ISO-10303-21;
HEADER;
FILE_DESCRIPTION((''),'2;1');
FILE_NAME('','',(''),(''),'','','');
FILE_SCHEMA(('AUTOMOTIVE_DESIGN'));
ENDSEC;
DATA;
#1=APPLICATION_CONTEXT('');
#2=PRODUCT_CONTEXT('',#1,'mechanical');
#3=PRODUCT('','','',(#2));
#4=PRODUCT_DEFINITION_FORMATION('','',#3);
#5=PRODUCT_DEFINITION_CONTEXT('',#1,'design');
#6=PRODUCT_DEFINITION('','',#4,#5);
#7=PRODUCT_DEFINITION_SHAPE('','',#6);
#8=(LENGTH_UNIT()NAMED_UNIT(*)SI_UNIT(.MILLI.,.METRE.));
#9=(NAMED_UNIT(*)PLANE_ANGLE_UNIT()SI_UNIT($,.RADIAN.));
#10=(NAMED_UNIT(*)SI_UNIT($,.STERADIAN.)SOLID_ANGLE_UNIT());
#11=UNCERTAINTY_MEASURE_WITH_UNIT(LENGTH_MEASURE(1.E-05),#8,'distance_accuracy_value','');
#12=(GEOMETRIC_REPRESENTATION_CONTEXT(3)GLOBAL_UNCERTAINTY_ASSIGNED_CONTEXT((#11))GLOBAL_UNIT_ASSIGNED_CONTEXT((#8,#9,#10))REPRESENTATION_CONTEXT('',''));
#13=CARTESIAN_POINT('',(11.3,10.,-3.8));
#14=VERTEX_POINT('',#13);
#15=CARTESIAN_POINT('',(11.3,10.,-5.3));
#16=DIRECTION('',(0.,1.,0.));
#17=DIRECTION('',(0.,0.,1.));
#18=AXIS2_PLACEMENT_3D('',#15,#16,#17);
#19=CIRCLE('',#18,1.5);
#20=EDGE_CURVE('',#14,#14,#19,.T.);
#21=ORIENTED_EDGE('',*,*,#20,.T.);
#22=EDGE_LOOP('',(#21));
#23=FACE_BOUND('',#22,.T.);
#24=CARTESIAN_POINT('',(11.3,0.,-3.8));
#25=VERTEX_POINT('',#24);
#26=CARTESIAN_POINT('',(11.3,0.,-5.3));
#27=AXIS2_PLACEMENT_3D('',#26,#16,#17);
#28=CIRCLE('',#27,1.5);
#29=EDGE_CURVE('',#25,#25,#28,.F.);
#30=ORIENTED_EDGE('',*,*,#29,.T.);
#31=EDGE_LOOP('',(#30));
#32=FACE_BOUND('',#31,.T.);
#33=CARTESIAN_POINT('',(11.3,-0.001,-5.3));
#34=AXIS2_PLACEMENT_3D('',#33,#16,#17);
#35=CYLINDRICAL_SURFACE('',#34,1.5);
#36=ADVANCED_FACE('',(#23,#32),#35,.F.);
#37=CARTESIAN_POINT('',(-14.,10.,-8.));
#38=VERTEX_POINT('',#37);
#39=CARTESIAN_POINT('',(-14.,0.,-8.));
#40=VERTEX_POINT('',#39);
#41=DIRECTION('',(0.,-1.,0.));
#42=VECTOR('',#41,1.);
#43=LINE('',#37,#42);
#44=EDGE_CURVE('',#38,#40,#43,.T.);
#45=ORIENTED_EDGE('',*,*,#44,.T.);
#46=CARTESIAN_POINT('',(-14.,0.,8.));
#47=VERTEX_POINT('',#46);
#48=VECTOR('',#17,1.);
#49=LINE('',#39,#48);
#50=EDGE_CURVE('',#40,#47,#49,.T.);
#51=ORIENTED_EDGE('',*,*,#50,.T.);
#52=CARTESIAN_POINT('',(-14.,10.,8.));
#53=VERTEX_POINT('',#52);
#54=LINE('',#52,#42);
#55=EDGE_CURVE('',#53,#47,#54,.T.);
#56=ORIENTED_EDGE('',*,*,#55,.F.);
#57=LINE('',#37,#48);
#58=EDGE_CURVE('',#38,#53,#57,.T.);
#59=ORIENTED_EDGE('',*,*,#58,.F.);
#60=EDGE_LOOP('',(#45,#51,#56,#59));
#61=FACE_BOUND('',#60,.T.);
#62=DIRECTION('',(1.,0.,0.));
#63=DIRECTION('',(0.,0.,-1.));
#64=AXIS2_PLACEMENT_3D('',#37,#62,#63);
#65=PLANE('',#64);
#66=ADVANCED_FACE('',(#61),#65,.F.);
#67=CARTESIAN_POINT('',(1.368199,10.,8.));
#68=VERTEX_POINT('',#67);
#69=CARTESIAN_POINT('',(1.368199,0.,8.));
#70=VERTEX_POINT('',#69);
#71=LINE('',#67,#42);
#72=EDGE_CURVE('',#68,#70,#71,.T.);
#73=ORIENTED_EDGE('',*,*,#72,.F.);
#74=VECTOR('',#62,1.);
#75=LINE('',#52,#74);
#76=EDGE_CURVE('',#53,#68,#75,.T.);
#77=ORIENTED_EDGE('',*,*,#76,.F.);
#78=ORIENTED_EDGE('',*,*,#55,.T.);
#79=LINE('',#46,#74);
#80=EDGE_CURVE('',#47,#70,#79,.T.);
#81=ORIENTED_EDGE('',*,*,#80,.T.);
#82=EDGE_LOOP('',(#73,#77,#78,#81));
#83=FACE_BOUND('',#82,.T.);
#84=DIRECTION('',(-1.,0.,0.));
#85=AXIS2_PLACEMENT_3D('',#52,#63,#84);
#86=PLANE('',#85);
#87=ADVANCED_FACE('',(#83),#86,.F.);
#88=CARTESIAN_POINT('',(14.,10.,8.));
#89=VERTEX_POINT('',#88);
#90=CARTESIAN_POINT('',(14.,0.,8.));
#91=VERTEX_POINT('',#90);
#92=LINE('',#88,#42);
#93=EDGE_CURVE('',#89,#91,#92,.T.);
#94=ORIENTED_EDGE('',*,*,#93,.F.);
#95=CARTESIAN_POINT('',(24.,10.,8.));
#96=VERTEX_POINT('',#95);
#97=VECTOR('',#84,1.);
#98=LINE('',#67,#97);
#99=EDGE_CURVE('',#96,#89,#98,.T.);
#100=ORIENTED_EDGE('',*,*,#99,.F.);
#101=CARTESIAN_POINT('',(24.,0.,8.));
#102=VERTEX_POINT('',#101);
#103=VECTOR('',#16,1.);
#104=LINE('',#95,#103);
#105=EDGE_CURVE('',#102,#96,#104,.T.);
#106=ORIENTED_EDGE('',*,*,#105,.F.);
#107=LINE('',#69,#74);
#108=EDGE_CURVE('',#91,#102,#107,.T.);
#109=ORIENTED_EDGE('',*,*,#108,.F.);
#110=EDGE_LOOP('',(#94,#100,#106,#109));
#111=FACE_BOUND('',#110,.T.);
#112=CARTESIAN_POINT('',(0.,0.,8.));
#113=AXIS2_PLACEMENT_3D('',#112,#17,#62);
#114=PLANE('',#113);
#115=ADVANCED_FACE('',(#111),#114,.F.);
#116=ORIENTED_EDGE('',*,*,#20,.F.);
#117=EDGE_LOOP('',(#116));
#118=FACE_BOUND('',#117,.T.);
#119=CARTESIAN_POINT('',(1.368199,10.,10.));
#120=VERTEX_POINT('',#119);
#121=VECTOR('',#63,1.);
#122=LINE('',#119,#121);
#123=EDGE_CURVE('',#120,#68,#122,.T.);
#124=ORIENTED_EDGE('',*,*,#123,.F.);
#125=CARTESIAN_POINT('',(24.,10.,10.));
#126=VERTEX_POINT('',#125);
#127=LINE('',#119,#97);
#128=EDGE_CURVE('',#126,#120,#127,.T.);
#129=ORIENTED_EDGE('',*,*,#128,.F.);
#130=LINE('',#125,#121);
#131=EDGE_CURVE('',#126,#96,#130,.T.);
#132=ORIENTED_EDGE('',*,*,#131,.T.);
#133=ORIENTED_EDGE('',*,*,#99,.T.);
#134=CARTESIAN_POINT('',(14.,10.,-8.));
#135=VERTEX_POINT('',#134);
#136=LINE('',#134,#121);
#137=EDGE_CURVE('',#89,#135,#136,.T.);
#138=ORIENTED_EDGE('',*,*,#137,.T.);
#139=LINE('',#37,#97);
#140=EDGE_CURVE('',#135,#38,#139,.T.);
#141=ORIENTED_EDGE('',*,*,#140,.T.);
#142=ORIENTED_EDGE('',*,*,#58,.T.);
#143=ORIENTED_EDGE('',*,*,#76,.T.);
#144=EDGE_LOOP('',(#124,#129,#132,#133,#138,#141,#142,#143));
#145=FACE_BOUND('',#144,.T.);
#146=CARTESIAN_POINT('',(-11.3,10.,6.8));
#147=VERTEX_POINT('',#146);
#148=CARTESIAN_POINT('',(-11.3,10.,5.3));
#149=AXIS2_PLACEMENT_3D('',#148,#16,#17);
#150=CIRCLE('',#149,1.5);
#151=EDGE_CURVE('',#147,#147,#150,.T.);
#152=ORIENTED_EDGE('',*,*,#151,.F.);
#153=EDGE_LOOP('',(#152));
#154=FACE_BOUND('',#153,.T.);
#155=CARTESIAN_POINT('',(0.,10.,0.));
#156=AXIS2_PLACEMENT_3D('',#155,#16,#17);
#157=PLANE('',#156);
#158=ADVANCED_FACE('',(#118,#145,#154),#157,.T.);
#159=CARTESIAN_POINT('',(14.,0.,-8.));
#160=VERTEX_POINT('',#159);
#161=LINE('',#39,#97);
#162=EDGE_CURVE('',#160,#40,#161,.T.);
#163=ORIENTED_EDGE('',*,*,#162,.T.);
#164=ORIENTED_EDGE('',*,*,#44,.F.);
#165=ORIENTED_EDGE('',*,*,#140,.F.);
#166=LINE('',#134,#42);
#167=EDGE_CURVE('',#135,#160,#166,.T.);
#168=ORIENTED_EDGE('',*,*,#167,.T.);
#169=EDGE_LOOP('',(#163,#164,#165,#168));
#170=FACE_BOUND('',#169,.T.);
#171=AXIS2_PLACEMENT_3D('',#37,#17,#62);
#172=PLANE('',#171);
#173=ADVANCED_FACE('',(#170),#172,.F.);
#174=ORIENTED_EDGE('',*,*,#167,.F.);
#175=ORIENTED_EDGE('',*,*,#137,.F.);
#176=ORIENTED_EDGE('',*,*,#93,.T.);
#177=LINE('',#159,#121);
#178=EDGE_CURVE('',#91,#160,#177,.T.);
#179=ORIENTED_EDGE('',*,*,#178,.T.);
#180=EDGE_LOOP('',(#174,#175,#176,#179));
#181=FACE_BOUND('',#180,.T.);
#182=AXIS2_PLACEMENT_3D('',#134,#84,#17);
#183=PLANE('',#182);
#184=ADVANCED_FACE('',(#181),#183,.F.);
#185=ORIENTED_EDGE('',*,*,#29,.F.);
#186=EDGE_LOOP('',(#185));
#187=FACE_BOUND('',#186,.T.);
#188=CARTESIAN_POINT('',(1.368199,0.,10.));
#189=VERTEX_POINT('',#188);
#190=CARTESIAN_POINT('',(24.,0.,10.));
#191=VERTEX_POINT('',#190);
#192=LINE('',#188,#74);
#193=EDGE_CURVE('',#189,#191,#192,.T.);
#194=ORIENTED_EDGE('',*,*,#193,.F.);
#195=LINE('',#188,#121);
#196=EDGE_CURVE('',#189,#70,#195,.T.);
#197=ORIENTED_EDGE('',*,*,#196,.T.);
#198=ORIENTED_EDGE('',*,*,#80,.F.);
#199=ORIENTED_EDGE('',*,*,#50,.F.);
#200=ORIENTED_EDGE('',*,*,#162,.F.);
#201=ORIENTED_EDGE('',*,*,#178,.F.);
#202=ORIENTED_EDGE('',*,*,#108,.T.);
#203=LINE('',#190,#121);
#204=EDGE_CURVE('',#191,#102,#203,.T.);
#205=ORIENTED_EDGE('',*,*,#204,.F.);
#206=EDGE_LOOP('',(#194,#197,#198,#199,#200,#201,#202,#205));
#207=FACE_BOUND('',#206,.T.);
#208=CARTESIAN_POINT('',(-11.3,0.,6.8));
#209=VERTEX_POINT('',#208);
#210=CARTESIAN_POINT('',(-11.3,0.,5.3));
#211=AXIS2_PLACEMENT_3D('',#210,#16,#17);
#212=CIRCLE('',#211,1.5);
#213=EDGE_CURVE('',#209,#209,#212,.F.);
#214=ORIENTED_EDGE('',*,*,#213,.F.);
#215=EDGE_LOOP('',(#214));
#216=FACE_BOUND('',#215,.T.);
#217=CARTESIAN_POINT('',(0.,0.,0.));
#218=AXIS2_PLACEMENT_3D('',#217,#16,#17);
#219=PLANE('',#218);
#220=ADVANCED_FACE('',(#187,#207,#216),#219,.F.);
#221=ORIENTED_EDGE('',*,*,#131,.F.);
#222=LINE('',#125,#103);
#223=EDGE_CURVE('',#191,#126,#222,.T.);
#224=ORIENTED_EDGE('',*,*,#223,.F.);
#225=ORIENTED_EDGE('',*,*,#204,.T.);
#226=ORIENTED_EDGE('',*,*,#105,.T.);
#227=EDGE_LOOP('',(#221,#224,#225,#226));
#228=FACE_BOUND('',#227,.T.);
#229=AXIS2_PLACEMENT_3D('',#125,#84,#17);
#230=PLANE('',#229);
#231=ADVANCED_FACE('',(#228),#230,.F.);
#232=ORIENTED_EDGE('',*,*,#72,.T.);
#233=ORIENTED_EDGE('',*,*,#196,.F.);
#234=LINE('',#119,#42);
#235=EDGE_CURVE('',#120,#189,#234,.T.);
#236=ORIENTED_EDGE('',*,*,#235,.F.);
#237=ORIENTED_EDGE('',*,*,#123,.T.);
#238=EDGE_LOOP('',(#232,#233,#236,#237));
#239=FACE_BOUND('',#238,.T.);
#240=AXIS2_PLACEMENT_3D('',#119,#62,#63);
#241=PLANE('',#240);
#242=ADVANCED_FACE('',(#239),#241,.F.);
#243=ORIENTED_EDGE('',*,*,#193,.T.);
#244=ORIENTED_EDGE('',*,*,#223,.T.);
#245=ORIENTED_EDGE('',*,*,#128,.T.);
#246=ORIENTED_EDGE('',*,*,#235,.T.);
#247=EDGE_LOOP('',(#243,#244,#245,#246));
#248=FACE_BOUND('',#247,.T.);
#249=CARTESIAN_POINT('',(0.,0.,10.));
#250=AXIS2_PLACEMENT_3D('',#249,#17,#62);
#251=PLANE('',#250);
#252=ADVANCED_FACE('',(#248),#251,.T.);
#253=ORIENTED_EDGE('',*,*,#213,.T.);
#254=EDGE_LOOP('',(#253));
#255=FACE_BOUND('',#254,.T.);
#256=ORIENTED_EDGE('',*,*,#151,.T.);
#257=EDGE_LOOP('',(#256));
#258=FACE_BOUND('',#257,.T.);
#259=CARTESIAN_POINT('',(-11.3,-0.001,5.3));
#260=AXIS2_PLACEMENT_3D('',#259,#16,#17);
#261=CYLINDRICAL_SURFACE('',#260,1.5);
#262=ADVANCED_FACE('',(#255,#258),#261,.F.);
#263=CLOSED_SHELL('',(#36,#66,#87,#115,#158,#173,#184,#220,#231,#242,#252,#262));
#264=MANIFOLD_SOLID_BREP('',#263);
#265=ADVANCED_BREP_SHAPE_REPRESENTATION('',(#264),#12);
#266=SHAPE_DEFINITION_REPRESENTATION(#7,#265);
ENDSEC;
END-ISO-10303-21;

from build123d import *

# Parameters (mm, degrees)
SKETCH1_W           = 28
SKETCH1_H           = 16
BOSS_EXTRUDE1_DEPTH = 10
CUT_EXTRUDE1_REACH  = 12
SKETCH2_R           = 1.5
SKETCH3_W           = 22.631801359
SKETCH3_H           = 10
BOSS_EXTRUDE2_DEPTH = 2


with BuildPart() as part:
    # Sketch1 → Boss-Extrude1 (new body)
    with BuildSketch(Plane(origin=(0, 0, 0), x_dir=(1, 0, 0), z_dir=(0, 1, 0))):
        Rectangle(SKETCH1_W, SKETCH1_H)
    extrude(amount=BOSS_EXTRUDE1_DEPTH)

    # Sketch2 → Cut-Extrude1 (cut, up to next)
    with BuildSketch(Plane(origin=(0, 10, 0), x_dir=(1, 0, 0), z_dir=(0, 1, 0)), mode=Mode.PRIVATE) as cut_extrude1_sk1:
        with Locations((-11.3, -5.3)):
            Circle(SKETCH2_R)
    cut_extrude1_tool1 = extrude(cut_extrude1_sk1.sketch, amount=-CUT_EXTRUDE1_REACH, mode=Mode.PRIVATE) & part.part
    add(cut_extrude1_tool1.solids().sort_by_distance((-11.3, 10, 5.3))[0], mode=Mode.SUBTRACT)
    # Sketch2 → Cut-Extrude1 (cut, up to next)
    with BuildSketch(Plane(origin=(0, 10, 0), x_dir=(1, 0, 0), z_dir=(0, 1, 0)), mode=Mode.PRIVATE) as cut_extrude1_sk2:
        with Locations((11.3, 5.3)):
            Circle(SKETCH2_R)
    cut_extrude1_tool2 = extrude(cut_extrude1_sk2.sketch, amount=-CUT_EXTRUDE1_REACH, mode=Mode.PRIVATE) & part.part
    add(cut_extrude1_tool2.solids().sort_by_distance((11.3, 10, -5.3))[0], mode=Mode.SUBTRACT)

    # Sketch3 → Boss-Extrude2 (add)
    with BuildSketch(Plane.XY.offset(8)):
        with Locations((12.68409932, 5)):
            Rectangle(SKETCH3_W, SKETCH3_H)
    extrude(amount=BOSS_EXTRUDE2_DEPTH)


solid = part.part
